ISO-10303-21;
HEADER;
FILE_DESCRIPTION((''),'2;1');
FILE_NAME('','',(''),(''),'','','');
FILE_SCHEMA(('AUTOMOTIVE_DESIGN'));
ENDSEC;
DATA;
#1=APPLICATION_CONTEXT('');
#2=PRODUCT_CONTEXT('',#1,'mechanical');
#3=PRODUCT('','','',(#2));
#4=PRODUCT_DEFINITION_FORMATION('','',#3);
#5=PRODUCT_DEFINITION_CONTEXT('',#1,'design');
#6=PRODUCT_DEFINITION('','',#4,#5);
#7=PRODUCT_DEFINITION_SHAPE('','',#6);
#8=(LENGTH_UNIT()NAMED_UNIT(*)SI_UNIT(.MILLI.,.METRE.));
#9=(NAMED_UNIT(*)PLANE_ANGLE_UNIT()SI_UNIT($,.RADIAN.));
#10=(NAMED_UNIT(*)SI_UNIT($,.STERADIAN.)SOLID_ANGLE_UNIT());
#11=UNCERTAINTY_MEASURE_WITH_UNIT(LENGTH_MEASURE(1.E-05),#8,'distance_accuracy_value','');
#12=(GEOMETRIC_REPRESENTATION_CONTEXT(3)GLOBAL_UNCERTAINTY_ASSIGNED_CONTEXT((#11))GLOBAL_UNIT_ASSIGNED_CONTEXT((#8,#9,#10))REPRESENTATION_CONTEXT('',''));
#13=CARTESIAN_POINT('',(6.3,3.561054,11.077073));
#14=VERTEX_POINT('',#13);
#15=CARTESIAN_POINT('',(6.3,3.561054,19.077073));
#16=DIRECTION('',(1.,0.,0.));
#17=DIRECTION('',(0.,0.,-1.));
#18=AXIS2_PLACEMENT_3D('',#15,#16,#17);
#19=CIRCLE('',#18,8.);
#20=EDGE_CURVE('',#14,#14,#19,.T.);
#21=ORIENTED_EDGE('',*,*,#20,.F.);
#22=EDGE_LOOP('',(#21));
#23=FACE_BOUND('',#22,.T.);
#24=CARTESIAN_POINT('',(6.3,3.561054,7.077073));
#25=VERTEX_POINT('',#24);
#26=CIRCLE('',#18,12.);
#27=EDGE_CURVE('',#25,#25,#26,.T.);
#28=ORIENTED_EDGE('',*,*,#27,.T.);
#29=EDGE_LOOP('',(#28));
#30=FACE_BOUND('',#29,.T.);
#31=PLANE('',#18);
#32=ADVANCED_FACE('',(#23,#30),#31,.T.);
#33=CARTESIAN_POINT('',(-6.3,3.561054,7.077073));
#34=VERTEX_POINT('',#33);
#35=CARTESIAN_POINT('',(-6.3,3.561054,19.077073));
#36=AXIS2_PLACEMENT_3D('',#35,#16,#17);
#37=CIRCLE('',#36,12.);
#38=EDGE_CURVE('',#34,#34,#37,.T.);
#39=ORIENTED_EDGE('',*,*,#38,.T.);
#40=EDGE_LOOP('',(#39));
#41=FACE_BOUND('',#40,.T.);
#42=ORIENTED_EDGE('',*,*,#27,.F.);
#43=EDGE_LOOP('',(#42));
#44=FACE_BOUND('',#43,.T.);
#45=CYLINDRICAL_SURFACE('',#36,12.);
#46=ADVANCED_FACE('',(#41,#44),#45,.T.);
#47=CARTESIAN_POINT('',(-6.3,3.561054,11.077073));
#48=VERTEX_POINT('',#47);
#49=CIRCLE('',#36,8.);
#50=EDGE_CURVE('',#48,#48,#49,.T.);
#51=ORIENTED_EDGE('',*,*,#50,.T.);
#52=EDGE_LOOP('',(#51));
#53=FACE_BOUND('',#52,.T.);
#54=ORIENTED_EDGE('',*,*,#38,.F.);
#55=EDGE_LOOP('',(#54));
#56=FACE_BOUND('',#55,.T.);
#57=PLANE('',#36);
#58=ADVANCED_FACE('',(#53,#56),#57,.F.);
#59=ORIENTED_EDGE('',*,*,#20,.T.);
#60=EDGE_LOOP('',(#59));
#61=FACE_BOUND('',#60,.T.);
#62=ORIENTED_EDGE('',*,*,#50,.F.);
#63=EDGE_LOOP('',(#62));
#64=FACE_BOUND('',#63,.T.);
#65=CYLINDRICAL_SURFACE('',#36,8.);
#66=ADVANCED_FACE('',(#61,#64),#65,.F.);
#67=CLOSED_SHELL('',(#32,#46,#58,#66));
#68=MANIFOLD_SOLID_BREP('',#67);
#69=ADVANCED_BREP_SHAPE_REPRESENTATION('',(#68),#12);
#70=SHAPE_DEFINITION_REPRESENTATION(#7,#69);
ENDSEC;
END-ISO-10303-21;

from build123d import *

# Parameters (mm, degrees)
BOSS_EXTRUDE1_DEPTH      = 6.3
BOSS_EXTRUDE1_DEPTH_BACK = 6.3
SKETCH1_R                = 12
SKETCH1_R_2              = 8


with BuildPart() as part:
    # Sketch1 → Boss-Extrude1 (new, two sides: drawn at the far end of the back side and taken through both)
    with BuildSketch(Plane(origin=(0, 0, 0), x_dir=(0, 0, -1), z_dir=(1, 0, 0)).offset(-BOSS_EXTRUDE1_DEPTH_BACK)):
        with Locations((-19.07707261, 3.561053554)):
            Circle(SKETCH1_R)
        with Locations((-19.07707261, 3.561053554)):
            Circle(SKETCH1_R_2, mode=Mode.SUBTRACT)
    extrude(amount=BOSS_EXTRUDE1_DEPTH + BOSS_EXTRUDE1_DEPTH_BACK)


solid = part.part
